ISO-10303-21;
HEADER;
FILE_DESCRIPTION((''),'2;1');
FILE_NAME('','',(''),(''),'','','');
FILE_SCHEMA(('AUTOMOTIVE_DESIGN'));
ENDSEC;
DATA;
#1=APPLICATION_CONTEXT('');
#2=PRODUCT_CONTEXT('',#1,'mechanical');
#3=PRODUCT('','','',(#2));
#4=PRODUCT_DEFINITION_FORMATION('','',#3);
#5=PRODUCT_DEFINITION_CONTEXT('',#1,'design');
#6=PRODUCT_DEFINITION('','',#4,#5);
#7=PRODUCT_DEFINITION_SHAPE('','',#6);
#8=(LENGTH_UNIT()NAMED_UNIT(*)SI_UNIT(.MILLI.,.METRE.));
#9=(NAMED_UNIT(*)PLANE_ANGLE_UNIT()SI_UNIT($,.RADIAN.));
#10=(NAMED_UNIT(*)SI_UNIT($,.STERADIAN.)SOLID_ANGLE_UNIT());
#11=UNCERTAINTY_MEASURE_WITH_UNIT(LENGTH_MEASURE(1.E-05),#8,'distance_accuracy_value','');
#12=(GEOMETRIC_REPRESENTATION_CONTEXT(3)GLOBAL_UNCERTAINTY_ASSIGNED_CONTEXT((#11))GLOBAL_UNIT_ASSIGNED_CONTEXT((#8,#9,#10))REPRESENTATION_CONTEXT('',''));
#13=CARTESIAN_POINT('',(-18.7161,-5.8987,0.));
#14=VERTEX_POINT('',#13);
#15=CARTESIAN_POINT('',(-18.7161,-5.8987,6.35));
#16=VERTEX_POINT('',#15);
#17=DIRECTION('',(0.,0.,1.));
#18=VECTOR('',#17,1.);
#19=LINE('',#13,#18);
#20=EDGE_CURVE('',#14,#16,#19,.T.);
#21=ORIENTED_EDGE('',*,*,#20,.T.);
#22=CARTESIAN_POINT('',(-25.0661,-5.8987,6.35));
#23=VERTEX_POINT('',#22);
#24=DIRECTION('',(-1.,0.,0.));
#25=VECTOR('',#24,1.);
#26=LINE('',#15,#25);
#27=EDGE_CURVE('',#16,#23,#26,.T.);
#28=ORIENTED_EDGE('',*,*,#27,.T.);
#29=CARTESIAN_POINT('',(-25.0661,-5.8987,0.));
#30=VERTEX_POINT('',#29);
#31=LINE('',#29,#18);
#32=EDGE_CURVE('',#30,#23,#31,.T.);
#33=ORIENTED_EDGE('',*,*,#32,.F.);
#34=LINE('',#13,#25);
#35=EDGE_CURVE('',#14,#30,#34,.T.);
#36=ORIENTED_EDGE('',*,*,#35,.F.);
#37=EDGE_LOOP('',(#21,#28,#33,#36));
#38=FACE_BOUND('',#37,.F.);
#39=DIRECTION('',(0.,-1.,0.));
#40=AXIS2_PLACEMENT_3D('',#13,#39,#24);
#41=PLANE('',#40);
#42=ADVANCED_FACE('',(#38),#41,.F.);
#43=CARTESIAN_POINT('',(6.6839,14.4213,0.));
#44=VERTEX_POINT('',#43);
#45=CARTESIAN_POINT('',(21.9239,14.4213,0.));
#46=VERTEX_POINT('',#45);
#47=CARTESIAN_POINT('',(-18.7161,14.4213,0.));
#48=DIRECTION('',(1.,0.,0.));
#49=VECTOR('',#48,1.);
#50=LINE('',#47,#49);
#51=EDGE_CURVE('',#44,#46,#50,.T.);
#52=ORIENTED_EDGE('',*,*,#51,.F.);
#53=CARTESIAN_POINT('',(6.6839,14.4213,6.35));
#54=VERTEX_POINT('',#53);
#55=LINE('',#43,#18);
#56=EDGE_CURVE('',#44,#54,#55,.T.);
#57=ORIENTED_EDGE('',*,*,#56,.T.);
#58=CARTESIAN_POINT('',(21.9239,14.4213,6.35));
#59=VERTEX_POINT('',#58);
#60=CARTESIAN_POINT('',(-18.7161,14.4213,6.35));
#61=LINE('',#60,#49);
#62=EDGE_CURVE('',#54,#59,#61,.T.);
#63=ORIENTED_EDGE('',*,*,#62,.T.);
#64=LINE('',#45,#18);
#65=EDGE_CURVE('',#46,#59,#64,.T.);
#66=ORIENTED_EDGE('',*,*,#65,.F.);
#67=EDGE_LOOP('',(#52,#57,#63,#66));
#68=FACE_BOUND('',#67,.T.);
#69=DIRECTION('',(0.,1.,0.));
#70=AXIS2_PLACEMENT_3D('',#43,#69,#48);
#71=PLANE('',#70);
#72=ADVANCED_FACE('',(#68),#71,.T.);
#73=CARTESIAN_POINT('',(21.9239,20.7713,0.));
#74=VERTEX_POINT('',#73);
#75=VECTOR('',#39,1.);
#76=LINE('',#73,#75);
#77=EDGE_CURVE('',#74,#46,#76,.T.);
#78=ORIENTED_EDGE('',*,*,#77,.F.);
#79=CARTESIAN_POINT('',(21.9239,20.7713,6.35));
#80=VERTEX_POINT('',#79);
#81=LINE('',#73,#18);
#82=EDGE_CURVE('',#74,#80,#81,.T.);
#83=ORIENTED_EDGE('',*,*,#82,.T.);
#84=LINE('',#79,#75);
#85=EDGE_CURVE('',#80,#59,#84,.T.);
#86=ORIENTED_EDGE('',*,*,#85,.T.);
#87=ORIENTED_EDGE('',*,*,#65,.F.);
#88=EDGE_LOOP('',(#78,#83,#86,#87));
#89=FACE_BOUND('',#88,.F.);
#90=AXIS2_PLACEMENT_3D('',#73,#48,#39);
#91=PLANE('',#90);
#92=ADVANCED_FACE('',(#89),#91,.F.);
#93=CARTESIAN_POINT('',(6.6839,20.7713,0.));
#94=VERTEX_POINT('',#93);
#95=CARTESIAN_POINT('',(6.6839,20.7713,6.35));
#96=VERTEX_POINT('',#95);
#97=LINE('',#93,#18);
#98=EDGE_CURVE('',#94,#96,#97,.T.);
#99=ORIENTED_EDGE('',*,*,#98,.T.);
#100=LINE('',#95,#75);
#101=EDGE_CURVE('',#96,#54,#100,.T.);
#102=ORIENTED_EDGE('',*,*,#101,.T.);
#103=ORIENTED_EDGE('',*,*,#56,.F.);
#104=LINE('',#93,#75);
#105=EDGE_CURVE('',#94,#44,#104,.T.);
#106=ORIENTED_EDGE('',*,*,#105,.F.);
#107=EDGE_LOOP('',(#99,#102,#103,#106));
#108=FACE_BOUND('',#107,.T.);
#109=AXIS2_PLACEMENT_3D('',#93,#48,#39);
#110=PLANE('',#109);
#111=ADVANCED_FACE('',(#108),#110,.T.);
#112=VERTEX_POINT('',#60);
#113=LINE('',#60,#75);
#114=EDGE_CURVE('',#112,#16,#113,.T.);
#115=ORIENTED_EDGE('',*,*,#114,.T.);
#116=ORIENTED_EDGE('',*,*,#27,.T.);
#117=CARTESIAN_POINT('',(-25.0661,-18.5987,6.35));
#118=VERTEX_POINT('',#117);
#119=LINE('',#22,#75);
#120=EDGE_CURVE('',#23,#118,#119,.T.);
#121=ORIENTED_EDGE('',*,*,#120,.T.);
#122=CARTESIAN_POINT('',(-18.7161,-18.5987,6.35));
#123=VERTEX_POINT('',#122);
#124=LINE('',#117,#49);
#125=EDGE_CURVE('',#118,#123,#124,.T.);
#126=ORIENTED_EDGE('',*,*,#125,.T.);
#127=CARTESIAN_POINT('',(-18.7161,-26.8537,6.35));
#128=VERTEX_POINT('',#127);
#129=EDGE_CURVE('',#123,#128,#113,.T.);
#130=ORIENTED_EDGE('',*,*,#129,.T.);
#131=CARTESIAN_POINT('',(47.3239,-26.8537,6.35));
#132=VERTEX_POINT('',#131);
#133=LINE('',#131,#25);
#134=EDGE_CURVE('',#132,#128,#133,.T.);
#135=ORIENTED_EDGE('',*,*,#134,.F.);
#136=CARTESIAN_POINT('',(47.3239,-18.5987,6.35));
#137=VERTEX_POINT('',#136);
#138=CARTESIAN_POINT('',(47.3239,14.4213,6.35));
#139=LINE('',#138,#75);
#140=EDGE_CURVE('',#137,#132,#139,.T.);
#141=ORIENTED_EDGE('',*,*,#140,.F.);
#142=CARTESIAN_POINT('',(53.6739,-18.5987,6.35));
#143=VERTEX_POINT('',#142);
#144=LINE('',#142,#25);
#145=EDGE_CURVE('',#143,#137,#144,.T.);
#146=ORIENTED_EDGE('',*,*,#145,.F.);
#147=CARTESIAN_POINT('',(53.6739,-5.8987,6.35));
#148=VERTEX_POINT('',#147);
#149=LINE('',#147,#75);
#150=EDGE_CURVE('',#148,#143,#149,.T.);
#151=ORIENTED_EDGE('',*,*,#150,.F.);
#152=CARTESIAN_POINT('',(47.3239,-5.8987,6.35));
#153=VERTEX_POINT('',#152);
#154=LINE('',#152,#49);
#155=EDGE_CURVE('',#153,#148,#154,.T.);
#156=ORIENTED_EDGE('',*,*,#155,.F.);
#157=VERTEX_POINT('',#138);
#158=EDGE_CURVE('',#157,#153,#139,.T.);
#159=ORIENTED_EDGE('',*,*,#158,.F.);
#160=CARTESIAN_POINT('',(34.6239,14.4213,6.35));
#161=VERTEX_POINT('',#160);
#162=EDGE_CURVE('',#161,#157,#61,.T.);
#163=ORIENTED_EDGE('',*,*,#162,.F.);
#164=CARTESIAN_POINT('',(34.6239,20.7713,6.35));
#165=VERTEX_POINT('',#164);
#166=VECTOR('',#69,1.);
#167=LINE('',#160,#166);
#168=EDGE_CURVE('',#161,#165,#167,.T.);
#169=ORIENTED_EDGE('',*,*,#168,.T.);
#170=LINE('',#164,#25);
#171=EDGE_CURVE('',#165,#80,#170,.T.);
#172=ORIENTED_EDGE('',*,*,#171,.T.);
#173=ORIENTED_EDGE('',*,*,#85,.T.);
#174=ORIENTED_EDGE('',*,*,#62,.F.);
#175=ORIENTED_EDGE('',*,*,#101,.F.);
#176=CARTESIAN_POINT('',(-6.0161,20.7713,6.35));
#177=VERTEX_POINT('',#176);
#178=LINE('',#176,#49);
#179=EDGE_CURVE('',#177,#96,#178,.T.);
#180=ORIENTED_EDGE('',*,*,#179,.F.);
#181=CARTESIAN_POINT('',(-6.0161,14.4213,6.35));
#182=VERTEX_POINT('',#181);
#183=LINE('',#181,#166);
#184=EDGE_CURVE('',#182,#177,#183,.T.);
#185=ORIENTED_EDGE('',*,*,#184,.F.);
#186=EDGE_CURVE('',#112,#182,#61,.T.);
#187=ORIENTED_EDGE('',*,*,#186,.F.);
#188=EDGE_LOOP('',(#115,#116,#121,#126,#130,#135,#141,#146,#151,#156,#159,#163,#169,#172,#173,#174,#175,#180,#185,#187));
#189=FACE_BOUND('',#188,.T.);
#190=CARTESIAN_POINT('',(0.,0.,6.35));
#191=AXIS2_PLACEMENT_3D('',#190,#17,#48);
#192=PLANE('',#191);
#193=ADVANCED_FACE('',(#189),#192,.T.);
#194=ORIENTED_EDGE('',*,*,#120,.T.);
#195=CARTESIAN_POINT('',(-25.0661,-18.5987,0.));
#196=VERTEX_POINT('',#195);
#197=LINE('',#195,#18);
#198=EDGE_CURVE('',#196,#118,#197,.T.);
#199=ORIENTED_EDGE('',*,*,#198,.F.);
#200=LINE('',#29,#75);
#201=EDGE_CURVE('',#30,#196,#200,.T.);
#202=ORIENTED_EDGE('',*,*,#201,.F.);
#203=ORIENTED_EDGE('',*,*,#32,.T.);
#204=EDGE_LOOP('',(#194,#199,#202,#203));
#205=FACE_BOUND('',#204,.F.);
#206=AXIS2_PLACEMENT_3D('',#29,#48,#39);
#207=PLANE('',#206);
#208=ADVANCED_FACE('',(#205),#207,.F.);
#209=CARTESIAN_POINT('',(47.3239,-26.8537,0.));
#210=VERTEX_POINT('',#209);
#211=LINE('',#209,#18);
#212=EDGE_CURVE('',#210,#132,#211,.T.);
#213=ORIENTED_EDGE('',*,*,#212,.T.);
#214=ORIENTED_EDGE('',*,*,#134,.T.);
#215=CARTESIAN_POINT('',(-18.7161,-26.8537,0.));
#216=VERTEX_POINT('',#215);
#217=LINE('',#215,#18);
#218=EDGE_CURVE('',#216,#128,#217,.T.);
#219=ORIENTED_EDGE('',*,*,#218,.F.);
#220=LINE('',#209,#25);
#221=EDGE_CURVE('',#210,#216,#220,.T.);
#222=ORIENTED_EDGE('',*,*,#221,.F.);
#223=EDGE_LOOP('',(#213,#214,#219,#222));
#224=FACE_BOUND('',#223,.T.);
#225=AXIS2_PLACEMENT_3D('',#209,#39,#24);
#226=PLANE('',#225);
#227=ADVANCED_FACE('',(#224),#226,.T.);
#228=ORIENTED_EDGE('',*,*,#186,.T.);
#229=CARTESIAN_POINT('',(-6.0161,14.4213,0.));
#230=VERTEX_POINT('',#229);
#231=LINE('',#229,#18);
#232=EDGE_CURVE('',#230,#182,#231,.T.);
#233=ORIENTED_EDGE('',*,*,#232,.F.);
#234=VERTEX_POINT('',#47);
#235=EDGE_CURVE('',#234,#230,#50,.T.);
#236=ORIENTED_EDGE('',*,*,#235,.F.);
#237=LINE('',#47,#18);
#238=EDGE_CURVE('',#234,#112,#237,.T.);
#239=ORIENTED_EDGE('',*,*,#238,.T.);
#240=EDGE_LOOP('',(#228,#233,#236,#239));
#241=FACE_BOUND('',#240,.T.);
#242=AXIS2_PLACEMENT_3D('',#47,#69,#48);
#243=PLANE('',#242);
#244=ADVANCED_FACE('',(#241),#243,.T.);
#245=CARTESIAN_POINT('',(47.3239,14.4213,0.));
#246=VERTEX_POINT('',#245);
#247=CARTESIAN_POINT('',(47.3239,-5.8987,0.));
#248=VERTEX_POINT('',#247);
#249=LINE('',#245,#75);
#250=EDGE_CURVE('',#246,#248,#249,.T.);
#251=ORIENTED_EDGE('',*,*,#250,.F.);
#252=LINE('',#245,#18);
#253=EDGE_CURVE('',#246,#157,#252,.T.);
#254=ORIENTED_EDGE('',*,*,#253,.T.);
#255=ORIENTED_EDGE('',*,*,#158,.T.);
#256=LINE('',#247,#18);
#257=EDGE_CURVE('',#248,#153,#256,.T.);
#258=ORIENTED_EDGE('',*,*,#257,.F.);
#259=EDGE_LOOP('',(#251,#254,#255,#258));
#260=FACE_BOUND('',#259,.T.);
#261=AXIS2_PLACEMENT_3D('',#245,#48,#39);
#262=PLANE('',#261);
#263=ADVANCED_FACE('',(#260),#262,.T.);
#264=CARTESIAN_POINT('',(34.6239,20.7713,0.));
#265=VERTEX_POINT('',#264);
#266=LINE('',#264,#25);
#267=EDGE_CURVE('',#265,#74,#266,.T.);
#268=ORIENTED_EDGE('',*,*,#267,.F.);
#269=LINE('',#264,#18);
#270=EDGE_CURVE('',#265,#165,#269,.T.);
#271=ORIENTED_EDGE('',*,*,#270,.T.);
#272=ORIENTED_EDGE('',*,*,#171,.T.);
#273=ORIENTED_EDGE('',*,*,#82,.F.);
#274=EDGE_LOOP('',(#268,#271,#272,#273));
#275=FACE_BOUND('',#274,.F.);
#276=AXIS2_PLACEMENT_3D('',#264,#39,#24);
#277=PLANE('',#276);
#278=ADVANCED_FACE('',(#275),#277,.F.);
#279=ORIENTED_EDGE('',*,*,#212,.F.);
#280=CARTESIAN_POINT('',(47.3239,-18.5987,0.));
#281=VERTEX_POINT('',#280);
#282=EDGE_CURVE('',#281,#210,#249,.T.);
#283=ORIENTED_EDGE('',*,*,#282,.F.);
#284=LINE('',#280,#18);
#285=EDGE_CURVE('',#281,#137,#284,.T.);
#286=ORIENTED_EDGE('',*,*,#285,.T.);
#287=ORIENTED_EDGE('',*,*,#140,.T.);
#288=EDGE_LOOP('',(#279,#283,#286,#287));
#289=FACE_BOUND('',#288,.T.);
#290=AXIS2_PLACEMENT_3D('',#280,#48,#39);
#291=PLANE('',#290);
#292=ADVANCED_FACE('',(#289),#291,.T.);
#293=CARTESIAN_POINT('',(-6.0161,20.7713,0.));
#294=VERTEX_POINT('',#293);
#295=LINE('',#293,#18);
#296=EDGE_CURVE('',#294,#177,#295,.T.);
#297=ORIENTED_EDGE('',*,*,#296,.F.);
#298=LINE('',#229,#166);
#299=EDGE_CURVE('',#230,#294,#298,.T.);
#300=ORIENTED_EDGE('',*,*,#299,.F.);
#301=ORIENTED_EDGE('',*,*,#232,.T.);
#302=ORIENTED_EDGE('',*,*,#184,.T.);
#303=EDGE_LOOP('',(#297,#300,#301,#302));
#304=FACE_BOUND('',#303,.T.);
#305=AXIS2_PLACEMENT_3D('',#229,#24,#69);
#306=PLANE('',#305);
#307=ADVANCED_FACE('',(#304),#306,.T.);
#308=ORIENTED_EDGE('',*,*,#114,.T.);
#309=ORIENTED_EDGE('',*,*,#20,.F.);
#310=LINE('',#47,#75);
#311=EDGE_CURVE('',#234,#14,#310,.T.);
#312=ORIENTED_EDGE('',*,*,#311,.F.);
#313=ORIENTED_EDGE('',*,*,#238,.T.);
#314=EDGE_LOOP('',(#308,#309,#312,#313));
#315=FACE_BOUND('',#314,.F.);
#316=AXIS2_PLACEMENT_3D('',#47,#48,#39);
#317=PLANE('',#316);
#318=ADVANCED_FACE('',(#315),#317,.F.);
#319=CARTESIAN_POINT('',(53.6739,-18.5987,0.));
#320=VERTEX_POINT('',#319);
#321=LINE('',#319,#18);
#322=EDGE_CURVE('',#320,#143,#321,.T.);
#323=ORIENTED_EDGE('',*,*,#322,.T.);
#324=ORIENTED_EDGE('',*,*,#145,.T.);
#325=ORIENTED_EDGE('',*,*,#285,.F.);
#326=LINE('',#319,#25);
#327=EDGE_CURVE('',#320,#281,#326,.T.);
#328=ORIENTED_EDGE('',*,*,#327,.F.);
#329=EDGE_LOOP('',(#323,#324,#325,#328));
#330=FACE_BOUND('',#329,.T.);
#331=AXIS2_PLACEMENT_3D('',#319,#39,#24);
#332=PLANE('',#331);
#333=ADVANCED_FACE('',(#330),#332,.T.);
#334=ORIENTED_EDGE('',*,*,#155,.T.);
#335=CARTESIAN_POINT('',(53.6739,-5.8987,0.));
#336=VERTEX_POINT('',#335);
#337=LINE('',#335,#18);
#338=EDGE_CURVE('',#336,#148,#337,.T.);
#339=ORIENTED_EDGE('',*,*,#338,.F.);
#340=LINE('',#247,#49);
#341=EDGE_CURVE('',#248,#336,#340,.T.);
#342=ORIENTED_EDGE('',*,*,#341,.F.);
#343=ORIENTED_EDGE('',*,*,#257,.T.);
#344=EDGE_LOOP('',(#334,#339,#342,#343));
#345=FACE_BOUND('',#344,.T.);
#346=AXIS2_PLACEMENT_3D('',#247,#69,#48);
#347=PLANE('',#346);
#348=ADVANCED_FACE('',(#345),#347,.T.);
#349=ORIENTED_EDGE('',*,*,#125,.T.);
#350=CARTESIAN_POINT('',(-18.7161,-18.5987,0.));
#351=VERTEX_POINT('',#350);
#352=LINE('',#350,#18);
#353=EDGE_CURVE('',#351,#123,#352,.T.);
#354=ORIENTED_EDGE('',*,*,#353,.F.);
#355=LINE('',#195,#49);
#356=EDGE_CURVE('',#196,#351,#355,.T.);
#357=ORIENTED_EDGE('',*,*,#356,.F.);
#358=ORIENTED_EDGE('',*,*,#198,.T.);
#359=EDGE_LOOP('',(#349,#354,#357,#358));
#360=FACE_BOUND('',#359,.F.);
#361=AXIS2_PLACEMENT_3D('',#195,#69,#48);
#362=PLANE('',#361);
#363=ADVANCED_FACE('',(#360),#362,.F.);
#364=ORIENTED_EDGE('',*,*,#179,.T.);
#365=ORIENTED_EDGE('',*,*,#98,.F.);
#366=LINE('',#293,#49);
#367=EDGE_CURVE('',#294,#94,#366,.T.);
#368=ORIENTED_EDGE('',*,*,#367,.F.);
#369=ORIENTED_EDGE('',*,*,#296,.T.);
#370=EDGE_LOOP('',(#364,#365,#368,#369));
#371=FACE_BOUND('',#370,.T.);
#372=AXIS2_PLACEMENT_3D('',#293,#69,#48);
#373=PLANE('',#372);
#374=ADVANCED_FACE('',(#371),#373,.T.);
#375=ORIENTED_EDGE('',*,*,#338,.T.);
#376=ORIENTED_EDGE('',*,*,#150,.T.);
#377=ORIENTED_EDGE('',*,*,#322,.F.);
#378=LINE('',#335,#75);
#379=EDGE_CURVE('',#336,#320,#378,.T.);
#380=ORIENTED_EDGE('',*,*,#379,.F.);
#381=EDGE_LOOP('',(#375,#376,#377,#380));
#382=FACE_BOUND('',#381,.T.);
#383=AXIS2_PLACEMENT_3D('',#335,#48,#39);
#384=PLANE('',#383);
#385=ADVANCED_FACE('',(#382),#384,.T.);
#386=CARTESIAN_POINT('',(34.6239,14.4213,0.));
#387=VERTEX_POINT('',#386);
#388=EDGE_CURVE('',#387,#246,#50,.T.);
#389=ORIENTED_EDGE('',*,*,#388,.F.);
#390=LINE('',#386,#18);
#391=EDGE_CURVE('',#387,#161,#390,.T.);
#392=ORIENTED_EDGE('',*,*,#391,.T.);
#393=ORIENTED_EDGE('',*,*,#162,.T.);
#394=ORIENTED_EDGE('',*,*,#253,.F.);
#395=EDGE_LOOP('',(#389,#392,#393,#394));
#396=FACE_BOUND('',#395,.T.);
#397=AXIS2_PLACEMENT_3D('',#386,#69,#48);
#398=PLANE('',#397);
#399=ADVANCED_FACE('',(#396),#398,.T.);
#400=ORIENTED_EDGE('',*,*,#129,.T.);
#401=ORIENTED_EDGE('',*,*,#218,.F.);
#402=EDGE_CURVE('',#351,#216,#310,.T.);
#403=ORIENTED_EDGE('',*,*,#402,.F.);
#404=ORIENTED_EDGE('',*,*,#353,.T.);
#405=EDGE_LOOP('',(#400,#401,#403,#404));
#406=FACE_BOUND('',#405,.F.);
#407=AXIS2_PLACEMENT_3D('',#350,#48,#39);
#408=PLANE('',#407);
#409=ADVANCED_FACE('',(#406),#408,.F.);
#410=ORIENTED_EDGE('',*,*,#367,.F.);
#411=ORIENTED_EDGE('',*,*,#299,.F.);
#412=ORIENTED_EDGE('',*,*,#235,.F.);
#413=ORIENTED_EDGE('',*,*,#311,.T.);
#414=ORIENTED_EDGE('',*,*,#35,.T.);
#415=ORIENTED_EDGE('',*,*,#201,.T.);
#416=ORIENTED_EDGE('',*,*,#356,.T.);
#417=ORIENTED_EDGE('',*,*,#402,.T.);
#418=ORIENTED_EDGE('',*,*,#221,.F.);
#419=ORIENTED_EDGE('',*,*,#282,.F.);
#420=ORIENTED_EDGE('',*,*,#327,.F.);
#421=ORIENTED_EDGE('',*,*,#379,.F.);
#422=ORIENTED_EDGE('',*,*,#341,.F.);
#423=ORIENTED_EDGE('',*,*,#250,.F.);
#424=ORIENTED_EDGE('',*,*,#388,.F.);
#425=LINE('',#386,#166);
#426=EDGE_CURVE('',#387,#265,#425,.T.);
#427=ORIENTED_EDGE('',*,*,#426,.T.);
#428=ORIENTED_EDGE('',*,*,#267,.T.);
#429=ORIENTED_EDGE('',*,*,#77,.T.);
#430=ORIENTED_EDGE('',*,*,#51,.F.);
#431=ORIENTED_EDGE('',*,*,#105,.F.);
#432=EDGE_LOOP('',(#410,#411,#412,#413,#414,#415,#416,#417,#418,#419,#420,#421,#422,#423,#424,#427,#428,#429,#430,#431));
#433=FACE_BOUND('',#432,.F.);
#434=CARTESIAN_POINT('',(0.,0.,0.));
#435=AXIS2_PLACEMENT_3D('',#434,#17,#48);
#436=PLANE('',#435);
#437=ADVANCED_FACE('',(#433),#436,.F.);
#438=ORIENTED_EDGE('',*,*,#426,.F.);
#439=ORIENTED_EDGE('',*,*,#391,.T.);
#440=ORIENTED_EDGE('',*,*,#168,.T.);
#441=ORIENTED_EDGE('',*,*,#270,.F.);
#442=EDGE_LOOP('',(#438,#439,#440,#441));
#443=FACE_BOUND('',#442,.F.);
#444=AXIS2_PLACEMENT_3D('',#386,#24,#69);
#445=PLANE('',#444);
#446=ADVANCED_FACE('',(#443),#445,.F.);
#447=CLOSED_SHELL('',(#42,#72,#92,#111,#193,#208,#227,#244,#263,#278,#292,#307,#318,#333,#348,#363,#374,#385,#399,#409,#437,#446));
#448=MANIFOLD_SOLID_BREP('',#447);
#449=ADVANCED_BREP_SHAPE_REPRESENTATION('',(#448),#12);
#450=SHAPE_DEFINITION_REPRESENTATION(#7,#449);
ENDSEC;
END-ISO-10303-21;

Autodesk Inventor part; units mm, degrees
ref_plane "YZ Plane" through (0, 0, 0) normal (1, 0, 0) x (0, 1, 0)
ref_plane "XZ Plane" through (0, 0, 0) normal (0, 1, 0) x (-1, 0, 0)
ref_plane "XY Plane" through (0, 0, 0) normal (0, 0, 1) x (1, 0, 0)
sketch "Sketch1" plane through (0, 0, 0) normal (0, 0, 1) x (1, 0, 0)
  line L0 (-18.7161, 14.4213) -> (-18.7161, -26.8537)
  line L1 (-18.7161, 14.4213) -> (47.3239, 14.4213)
  line L2 (47.3239, 14.4213) -> (47.3239, -26.8537)
  line L3 (47.3239, -26.8537) -> (-18.7161, -26.8537)
  line L4 (-18.7161, 14.4213) -> (-6.0161, 14.4213)
  line L5 (-6.0161, 14.4213) -> (-6.0161, 20.7713)
  line L6 (-6.0161, 20.7713) -> (6.6839, 20.7713)
  line L7 (6.6839, 20.7713) -> (6.6839, 14.4213)
  line L8 (47.3239, 14.4213) -> (34.6239, 14.4213)
  line L9 (34.6239, 14.4213) -> (34.6239, 20.7713)
  line L10 (34.6239, 20.7713) -> (21.9239, 20.7713)
  line L11 (21.9239, 20.7713) -> (21.9239, 14.4213)
  line L12 (-18.7161, 14.4213) -> (-18.7161, -5.8987)
  line L13 (-18.7161, -5.8987) -> (-25.0661, -5.8987)
  line L14 (-25.0661, -5.8987) -> (-25.0661, -18.5987)
  line L15 (-25.0661, -18.5987) -> (-18.7161, -18.5987)
  line L16 (47.3239, 14.4213) -> (47.3239, -5.8987)
  line L17 (47.3239, -5.8987) -> (53.6739, -5.8987)
  line L18 (53.6739, -5.8987) -> (53.6739, -18.5987)
  line L19 (53.6739, -18.5987) -> (47.3239, -18.5987)
  point P0 (0, 0)
  dimension "d0" = 41.275
  dimension "d1" = 66.04
  dimension "d2" = 12.7
  dimension "d3" = 6.35
  dimension "d4" = 12.7
  dimension "d5" = 12.7
  dimension "d6" = 12.7
  dimension "d7" = 20.32
  dimension "d8" = 6.35
  dimension "d9" = 12.7
  dimension "d10" = 20.32
  dimension "d11" = 6.35
extrude "Extrusion1" add sketch "Sketch1" along normal blind 6.35
properties part number "support 2"
